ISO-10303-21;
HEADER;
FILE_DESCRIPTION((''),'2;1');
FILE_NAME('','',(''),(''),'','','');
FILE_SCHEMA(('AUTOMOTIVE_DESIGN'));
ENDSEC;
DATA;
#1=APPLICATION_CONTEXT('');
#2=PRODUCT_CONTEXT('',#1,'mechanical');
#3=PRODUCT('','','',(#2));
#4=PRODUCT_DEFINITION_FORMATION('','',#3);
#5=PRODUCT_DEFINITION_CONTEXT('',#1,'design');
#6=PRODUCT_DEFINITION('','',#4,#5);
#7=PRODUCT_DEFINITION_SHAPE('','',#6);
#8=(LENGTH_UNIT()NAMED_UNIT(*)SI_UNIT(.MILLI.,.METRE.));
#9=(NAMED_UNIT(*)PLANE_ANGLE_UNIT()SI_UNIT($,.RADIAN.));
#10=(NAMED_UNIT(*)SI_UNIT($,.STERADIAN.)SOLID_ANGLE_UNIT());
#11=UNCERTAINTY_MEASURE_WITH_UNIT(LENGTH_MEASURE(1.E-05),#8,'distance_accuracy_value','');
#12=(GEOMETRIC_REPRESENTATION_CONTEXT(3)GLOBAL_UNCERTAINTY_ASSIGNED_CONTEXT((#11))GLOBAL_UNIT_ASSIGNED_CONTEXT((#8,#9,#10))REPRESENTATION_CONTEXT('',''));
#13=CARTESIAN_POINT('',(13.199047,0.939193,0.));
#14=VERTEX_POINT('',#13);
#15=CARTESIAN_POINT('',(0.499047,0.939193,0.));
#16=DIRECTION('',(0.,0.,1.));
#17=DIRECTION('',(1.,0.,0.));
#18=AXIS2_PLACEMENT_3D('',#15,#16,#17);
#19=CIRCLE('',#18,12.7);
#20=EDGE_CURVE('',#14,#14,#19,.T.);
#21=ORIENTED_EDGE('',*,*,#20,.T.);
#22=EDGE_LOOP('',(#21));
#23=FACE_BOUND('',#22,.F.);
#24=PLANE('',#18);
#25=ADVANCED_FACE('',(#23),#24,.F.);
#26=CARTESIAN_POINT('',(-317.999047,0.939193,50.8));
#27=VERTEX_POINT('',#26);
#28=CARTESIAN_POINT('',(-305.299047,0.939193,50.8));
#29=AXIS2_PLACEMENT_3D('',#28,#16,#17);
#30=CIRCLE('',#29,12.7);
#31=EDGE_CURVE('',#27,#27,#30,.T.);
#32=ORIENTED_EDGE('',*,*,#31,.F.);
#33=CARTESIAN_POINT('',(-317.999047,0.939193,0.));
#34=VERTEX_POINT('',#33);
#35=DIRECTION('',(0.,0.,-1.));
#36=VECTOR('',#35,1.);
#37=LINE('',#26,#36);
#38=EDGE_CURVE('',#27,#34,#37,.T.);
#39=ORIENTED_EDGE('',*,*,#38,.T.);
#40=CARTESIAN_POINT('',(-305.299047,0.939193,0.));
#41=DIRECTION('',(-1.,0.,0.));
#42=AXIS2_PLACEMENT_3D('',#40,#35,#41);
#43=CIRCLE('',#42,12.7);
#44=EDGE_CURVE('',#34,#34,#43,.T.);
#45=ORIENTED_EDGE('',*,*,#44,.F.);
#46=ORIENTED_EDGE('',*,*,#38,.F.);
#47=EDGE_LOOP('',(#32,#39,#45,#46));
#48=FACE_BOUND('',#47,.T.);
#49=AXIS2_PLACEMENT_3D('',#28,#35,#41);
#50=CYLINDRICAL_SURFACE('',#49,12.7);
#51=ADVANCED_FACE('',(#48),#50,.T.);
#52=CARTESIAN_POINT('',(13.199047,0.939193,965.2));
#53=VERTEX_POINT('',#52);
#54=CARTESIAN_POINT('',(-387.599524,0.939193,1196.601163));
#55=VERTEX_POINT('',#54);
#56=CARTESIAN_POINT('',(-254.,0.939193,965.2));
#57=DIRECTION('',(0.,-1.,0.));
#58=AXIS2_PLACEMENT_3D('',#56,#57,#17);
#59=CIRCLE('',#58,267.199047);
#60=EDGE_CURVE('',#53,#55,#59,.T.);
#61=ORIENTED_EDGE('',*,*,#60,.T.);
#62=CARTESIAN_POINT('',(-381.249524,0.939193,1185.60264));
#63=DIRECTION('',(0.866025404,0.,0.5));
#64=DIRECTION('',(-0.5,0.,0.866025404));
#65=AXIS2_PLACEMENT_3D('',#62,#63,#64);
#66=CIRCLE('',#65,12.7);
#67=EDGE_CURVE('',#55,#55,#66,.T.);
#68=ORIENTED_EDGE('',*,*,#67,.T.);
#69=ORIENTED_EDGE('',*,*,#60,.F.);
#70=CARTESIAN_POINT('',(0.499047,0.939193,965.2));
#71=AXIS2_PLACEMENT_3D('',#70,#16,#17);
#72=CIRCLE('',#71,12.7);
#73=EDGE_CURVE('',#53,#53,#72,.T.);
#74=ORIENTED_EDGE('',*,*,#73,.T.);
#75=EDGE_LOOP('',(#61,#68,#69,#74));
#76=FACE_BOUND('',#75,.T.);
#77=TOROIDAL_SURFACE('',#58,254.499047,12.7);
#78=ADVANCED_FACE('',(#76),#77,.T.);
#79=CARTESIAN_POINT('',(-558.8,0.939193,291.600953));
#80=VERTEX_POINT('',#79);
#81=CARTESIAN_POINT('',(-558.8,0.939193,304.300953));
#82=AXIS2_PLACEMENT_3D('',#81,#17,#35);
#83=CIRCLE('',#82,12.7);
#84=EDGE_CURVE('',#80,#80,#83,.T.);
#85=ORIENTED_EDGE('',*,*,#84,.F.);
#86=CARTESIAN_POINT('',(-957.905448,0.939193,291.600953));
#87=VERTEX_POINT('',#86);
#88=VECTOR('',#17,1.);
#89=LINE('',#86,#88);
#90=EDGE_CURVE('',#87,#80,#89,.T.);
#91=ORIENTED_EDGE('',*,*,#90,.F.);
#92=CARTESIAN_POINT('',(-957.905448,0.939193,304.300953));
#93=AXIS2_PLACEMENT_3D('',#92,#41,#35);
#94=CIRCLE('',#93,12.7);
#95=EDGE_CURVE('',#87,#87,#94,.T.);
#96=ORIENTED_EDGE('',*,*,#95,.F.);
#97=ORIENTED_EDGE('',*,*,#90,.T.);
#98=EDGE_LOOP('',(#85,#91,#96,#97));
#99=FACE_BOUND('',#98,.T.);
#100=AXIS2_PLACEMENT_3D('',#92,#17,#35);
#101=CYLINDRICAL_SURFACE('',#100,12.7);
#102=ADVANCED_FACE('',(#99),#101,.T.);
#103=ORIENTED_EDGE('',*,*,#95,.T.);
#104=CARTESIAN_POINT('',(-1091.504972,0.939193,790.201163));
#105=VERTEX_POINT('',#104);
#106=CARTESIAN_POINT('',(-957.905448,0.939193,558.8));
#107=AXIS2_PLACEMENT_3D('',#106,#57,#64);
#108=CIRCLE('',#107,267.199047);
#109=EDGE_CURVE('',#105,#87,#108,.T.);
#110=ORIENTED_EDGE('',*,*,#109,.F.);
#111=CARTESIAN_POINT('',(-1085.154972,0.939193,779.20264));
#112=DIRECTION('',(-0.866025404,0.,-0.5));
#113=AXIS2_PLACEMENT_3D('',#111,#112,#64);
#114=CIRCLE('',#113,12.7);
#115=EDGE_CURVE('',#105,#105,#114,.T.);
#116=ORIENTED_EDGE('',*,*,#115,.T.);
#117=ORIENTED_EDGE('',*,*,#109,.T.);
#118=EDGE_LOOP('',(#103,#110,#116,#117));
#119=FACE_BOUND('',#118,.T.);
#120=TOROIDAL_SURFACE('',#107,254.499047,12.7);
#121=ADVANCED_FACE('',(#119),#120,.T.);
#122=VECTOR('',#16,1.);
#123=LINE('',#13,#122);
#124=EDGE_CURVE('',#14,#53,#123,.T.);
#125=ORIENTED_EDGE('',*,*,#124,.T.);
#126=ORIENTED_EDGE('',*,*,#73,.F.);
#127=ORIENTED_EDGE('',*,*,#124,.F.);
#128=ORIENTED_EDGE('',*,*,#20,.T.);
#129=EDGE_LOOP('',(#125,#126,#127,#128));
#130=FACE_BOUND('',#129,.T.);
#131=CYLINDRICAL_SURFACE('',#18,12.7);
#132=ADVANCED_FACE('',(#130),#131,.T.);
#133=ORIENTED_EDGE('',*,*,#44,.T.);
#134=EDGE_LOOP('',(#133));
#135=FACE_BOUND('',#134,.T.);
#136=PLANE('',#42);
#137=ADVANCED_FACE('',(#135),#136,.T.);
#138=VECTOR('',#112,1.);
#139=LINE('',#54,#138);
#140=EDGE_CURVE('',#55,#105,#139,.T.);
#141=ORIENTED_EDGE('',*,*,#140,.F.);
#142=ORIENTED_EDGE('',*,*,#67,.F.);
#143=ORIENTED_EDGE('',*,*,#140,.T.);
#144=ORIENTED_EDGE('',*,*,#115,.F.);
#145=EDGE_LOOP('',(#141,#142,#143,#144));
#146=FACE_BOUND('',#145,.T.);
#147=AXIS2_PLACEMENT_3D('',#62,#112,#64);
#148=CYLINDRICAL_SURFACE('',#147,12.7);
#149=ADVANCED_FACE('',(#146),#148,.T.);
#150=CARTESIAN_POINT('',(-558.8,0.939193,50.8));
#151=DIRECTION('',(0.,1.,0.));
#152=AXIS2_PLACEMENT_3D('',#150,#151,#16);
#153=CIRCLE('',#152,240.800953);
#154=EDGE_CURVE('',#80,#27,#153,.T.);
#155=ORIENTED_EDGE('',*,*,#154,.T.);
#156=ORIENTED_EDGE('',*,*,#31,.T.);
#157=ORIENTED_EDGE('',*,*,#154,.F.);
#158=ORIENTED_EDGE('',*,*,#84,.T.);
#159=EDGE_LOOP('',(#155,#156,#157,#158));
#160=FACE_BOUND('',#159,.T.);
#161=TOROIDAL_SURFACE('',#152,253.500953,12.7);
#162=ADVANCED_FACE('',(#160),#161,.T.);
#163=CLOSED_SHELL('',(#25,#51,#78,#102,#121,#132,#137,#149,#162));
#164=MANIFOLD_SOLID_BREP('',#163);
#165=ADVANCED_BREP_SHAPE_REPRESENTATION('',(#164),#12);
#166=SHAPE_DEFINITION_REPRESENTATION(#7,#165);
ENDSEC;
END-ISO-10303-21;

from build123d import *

# Parameters (mm, degrees)
F1_R = 12.7


with BuildPart() as f2:
    # F2: sweep along a path in F0
    with BuildLine(Plane.XZ) as f2_path:
        Line((0, 0), (0, 965.2))
        ThreePointArc((0, 965.2), (-127, 1185.1704525612), (-381, 1185.1704525612))
        Line((-381, 1185.1704525612), (-1084.905448196, 778.7704525612))
        ThreePointArc((-1084.905448196, 778.7704525612), (-1203.2506080734, 493.059962544), (-957.905448196, 304.8))
        Line((-957.905448196, 304.8), (-558.8, 304.8))
        ThreePointArc((-558.8, 304.8), (-379.1948775786, 230.4051224214), (-304.8, 50.8))
        Line((-304.8, 50.8), (-304.8, 0))
    # F1 (on Top) → F2 (sweep)
    with BuildSketch(Plane.XY):
        with Locations((0.4990471643, 0.939192716)):
            Circle(F1_R)
    sweep(path=f2_path.line)


solid = f2.part
